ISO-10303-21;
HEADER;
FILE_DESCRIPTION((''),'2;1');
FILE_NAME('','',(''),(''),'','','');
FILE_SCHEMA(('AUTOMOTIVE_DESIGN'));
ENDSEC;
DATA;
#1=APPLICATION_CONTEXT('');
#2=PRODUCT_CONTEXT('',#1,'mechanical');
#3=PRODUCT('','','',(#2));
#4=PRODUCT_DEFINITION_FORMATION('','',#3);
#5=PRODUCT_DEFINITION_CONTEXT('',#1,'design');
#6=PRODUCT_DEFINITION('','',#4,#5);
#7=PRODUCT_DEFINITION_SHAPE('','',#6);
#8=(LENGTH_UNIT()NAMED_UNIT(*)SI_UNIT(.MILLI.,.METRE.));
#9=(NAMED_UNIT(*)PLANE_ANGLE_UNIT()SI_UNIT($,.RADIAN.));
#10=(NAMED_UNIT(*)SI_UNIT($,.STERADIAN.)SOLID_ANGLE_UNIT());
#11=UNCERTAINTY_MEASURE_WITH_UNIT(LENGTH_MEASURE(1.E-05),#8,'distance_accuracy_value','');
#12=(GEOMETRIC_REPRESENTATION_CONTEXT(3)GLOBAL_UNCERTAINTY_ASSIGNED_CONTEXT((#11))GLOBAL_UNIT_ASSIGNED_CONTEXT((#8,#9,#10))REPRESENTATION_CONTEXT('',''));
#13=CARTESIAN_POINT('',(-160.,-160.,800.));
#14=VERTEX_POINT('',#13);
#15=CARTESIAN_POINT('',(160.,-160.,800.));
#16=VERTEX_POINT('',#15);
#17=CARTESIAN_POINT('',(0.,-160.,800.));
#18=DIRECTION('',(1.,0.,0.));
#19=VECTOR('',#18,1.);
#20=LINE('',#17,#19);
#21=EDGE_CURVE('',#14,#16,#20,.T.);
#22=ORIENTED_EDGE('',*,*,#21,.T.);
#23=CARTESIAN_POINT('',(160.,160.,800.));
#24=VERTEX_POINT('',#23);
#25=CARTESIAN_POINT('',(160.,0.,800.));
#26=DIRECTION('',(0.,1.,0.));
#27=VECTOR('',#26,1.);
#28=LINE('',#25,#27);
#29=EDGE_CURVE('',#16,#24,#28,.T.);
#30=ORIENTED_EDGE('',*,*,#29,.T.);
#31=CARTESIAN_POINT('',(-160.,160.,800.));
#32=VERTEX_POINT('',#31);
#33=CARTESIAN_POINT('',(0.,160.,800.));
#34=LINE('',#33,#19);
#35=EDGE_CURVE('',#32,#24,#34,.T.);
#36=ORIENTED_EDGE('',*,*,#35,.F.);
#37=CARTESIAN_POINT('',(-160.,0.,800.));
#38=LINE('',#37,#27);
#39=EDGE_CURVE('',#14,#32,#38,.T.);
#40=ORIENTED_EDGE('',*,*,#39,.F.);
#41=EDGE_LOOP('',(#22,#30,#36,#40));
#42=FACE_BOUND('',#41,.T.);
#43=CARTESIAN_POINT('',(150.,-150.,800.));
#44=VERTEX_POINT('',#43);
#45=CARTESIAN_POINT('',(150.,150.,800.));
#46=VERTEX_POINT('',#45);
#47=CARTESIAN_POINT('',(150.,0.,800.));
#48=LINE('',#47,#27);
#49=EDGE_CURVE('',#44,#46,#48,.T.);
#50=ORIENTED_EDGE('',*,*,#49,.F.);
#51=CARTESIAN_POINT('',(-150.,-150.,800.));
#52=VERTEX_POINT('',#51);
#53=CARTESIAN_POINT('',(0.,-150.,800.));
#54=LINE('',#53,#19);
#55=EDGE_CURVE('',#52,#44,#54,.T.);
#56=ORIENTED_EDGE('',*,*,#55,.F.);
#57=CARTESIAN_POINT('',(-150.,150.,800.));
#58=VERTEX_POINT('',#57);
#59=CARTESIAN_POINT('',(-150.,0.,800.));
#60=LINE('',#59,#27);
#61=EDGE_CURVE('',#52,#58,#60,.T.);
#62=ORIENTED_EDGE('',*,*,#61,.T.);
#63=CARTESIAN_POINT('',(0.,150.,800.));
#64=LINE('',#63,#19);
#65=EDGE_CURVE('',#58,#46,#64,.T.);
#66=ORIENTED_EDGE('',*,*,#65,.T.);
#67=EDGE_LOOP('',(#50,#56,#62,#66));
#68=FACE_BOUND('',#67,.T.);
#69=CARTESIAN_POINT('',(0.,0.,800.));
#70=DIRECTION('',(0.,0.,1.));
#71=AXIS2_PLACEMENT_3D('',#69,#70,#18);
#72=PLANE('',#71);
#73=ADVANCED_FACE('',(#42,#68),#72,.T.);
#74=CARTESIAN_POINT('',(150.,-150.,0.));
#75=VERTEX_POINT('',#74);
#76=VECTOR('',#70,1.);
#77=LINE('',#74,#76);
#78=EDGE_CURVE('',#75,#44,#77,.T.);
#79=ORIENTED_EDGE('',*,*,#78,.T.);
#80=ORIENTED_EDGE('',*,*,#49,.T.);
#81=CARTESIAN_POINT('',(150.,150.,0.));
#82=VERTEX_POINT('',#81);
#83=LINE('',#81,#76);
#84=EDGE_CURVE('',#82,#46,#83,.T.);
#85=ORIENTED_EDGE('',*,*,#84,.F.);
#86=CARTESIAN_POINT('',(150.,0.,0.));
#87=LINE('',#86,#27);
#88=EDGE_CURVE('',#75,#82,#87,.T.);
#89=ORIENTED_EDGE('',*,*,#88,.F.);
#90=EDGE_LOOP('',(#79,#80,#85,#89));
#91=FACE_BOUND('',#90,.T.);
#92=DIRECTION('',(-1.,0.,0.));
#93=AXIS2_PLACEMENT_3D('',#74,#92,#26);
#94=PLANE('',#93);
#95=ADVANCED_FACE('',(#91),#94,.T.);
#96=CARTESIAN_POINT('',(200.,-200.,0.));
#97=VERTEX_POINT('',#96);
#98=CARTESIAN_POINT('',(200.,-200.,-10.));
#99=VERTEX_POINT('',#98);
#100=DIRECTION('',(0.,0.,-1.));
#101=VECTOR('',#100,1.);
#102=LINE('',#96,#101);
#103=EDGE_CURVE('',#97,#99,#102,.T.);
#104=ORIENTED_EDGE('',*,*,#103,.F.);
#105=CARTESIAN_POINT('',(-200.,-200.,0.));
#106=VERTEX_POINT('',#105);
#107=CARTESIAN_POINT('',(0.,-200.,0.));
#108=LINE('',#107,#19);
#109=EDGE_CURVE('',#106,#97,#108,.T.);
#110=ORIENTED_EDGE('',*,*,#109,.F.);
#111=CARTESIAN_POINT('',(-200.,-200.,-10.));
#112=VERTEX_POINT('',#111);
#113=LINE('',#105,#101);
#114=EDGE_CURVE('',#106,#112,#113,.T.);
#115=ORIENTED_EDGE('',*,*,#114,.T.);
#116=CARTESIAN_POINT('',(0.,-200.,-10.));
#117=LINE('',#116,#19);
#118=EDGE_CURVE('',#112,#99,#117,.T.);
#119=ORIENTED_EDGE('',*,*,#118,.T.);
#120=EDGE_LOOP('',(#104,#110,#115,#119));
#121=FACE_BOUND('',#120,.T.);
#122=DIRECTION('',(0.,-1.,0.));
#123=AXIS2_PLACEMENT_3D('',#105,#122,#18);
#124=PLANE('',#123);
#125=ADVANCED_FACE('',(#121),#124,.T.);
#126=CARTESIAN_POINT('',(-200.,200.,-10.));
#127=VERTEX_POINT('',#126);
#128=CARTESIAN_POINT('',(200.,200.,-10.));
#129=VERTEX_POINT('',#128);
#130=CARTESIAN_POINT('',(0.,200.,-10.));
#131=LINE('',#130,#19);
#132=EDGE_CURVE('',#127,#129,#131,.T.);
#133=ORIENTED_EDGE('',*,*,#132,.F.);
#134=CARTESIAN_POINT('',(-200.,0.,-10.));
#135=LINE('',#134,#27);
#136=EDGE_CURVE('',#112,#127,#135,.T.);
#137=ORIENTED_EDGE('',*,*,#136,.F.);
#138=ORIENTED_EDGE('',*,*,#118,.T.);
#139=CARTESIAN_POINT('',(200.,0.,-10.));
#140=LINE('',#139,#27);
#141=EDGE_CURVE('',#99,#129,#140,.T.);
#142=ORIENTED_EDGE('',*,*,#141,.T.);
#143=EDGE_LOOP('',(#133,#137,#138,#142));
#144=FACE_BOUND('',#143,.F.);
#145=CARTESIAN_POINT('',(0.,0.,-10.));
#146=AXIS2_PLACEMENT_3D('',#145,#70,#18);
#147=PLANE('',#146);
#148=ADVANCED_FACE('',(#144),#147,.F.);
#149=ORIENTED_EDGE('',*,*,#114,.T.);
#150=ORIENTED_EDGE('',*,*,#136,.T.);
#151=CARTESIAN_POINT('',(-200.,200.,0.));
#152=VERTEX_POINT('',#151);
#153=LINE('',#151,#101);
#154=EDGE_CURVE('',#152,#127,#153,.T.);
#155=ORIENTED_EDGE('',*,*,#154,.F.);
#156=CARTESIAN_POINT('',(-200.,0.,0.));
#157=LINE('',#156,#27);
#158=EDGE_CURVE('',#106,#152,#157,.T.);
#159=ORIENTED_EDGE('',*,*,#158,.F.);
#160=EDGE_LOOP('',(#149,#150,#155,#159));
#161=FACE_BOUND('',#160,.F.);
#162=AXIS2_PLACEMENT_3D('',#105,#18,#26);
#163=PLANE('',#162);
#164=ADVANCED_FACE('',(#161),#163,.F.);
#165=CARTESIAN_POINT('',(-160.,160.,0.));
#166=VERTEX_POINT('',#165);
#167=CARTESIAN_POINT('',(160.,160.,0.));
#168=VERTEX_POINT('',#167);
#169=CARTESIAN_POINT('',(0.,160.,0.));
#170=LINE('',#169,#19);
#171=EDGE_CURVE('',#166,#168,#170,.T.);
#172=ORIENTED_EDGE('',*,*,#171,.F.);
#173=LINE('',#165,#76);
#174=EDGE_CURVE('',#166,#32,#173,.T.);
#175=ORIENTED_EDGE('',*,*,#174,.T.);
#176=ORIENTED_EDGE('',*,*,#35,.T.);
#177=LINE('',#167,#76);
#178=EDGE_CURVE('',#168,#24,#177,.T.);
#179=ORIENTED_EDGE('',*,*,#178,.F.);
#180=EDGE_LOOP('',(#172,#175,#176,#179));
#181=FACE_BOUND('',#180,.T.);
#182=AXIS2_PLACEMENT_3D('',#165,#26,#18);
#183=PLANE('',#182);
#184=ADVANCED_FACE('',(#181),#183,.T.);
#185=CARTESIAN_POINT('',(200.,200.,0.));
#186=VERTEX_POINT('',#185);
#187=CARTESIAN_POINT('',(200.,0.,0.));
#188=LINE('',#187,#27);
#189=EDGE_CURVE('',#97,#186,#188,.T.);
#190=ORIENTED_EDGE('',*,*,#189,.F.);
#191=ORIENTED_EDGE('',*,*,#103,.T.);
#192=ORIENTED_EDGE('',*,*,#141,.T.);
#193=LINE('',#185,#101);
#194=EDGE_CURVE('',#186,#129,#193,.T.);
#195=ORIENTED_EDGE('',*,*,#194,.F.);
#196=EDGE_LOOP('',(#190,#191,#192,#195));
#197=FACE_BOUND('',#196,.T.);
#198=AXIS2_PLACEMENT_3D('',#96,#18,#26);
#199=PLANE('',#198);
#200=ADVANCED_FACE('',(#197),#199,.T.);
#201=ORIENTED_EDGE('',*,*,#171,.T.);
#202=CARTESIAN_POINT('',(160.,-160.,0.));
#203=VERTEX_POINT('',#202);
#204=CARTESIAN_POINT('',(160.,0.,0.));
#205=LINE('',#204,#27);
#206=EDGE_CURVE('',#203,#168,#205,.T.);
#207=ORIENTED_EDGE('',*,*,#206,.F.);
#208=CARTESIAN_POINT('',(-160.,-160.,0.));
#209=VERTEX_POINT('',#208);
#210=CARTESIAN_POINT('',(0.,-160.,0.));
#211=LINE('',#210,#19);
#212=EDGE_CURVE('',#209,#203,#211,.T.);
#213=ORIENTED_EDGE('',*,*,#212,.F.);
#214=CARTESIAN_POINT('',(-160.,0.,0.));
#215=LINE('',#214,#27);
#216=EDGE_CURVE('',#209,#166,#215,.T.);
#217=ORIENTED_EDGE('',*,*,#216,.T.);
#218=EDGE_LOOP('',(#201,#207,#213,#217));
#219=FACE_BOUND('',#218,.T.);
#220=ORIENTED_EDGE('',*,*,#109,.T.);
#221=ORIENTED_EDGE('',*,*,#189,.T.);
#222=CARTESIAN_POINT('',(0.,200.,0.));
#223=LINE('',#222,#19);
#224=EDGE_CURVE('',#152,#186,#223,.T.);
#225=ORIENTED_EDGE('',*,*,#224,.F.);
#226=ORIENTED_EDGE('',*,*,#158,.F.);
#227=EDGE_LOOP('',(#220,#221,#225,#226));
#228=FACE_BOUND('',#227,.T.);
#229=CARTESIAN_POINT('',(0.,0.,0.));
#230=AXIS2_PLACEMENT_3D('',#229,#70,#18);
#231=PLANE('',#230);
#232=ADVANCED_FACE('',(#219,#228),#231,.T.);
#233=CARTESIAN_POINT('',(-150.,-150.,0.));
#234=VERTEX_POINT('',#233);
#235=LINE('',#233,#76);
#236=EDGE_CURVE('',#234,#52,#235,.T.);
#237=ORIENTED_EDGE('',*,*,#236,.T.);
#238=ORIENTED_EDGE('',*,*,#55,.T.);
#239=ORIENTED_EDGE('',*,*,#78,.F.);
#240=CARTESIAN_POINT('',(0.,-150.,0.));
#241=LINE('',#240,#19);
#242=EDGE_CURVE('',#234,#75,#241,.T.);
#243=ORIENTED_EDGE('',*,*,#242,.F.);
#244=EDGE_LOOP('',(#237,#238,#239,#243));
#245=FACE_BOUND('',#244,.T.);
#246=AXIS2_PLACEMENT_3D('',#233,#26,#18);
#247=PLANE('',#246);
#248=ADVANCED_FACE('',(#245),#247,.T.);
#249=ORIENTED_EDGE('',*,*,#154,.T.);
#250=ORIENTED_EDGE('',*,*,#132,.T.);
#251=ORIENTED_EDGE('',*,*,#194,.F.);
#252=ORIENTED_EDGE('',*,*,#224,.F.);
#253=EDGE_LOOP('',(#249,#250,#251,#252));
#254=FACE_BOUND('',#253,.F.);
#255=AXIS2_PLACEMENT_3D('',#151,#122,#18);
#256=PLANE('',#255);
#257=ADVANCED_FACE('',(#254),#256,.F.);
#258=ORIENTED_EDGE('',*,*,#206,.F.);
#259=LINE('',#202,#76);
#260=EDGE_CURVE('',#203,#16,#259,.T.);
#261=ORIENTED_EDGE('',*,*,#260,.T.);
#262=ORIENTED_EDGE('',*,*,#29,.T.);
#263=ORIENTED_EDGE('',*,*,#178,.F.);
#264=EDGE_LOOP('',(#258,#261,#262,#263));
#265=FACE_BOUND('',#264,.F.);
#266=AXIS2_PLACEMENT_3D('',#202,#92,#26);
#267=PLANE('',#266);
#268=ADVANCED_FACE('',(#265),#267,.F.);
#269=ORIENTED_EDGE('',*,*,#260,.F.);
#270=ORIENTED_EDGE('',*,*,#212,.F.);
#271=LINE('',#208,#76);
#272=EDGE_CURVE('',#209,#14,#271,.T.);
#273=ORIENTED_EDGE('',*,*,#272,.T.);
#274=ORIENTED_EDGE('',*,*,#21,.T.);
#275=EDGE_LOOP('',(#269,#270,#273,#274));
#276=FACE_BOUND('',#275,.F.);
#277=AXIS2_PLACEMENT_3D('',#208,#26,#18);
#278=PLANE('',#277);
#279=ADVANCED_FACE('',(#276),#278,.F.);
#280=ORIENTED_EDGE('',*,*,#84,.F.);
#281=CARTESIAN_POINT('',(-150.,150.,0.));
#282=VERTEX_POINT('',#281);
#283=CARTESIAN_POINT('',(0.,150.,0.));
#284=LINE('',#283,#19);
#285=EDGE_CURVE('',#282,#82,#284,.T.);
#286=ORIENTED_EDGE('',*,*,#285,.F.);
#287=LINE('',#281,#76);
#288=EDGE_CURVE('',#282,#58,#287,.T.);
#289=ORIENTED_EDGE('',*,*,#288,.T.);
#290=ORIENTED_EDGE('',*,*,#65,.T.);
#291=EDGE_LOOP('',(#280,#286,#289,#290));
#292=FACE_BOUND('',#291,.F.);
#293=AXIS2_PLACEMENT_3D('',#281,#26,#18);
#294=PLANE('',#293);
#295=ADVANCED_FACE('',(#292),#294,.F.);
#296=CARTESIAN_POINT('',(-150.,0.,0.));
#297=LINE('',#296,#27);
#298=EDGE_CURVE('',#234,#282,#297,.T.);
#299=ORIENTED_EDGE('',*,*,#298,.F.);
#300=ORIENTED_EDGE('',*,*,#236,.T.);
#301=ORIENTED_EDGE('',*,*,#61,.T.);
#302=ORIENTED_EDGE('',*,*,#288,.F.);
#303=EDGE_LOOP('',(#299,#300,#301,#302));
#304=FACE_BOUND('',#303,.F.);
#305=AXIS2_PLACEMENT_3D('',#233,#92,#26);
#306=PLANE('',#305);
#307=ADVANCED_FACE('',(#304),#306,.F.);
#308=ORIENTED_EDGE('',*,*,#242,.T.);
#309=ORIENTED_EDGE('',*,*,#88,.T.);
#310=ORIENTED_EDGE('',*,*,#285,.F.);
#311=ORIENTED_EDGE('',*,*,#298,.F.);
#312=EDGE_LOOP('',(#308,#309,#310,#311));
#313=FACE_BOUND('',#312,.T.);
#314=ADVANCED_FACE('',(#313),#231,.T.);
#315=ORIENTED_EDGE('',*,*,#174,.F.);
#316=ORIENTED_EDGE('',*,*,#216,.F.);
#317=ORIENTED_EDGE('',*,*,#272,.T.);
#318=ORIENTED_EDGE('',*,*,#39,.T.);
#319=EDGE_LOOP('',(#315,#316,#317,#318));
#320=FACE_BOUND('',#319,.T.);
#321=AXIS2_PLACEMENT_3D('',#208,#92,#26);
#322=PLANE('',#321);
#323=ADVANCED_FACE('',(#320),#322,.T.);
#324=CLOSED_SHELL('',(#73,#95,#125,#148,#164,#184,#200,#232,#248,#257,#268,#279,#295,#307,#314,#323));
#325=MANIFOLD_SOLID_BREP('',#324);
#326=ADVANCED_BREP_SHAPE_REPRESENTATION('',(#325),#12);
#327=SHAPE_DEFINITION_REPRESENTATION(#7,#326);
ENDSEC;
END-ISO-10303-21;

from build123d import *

# Parameters (mm, degrees)
F0_W     = 320
F0_H     = 320
F0_W_2   = 300
F0_H_2   = 300
F1_DEPTH = 800
F2_W     = 400
F2_H     = 400
F2_W_2   = 300
F2_H_2   = 300
F3_DEPTH = 10


with BuildPart() as f1:
    # F0 (on Top) → F1 (new body)
    with BuildSketch(Plane.XY):
        Rectangle(F0_W, F0_H)
        Rectangle(F0_W_2, F0_H_2, mode=Mode.SUBTRACT)
    extrude(amount=F1_DEPTH)

    # F2 (on face) + F0 (on Top) → F3 (join)
    with BuildSketch(Plane.XY):
        Rectangle(F2_W, F2_H)
        Rectangle(F2_W_2, F2_H_2, mode=Mode.SUBTRACT)
    with BuildSketch(Plane.XY):
        Rectangle(F0_W_2, F0_H_2)
    extrude(amount=-F3_DEPTH)


solid = f1.part
